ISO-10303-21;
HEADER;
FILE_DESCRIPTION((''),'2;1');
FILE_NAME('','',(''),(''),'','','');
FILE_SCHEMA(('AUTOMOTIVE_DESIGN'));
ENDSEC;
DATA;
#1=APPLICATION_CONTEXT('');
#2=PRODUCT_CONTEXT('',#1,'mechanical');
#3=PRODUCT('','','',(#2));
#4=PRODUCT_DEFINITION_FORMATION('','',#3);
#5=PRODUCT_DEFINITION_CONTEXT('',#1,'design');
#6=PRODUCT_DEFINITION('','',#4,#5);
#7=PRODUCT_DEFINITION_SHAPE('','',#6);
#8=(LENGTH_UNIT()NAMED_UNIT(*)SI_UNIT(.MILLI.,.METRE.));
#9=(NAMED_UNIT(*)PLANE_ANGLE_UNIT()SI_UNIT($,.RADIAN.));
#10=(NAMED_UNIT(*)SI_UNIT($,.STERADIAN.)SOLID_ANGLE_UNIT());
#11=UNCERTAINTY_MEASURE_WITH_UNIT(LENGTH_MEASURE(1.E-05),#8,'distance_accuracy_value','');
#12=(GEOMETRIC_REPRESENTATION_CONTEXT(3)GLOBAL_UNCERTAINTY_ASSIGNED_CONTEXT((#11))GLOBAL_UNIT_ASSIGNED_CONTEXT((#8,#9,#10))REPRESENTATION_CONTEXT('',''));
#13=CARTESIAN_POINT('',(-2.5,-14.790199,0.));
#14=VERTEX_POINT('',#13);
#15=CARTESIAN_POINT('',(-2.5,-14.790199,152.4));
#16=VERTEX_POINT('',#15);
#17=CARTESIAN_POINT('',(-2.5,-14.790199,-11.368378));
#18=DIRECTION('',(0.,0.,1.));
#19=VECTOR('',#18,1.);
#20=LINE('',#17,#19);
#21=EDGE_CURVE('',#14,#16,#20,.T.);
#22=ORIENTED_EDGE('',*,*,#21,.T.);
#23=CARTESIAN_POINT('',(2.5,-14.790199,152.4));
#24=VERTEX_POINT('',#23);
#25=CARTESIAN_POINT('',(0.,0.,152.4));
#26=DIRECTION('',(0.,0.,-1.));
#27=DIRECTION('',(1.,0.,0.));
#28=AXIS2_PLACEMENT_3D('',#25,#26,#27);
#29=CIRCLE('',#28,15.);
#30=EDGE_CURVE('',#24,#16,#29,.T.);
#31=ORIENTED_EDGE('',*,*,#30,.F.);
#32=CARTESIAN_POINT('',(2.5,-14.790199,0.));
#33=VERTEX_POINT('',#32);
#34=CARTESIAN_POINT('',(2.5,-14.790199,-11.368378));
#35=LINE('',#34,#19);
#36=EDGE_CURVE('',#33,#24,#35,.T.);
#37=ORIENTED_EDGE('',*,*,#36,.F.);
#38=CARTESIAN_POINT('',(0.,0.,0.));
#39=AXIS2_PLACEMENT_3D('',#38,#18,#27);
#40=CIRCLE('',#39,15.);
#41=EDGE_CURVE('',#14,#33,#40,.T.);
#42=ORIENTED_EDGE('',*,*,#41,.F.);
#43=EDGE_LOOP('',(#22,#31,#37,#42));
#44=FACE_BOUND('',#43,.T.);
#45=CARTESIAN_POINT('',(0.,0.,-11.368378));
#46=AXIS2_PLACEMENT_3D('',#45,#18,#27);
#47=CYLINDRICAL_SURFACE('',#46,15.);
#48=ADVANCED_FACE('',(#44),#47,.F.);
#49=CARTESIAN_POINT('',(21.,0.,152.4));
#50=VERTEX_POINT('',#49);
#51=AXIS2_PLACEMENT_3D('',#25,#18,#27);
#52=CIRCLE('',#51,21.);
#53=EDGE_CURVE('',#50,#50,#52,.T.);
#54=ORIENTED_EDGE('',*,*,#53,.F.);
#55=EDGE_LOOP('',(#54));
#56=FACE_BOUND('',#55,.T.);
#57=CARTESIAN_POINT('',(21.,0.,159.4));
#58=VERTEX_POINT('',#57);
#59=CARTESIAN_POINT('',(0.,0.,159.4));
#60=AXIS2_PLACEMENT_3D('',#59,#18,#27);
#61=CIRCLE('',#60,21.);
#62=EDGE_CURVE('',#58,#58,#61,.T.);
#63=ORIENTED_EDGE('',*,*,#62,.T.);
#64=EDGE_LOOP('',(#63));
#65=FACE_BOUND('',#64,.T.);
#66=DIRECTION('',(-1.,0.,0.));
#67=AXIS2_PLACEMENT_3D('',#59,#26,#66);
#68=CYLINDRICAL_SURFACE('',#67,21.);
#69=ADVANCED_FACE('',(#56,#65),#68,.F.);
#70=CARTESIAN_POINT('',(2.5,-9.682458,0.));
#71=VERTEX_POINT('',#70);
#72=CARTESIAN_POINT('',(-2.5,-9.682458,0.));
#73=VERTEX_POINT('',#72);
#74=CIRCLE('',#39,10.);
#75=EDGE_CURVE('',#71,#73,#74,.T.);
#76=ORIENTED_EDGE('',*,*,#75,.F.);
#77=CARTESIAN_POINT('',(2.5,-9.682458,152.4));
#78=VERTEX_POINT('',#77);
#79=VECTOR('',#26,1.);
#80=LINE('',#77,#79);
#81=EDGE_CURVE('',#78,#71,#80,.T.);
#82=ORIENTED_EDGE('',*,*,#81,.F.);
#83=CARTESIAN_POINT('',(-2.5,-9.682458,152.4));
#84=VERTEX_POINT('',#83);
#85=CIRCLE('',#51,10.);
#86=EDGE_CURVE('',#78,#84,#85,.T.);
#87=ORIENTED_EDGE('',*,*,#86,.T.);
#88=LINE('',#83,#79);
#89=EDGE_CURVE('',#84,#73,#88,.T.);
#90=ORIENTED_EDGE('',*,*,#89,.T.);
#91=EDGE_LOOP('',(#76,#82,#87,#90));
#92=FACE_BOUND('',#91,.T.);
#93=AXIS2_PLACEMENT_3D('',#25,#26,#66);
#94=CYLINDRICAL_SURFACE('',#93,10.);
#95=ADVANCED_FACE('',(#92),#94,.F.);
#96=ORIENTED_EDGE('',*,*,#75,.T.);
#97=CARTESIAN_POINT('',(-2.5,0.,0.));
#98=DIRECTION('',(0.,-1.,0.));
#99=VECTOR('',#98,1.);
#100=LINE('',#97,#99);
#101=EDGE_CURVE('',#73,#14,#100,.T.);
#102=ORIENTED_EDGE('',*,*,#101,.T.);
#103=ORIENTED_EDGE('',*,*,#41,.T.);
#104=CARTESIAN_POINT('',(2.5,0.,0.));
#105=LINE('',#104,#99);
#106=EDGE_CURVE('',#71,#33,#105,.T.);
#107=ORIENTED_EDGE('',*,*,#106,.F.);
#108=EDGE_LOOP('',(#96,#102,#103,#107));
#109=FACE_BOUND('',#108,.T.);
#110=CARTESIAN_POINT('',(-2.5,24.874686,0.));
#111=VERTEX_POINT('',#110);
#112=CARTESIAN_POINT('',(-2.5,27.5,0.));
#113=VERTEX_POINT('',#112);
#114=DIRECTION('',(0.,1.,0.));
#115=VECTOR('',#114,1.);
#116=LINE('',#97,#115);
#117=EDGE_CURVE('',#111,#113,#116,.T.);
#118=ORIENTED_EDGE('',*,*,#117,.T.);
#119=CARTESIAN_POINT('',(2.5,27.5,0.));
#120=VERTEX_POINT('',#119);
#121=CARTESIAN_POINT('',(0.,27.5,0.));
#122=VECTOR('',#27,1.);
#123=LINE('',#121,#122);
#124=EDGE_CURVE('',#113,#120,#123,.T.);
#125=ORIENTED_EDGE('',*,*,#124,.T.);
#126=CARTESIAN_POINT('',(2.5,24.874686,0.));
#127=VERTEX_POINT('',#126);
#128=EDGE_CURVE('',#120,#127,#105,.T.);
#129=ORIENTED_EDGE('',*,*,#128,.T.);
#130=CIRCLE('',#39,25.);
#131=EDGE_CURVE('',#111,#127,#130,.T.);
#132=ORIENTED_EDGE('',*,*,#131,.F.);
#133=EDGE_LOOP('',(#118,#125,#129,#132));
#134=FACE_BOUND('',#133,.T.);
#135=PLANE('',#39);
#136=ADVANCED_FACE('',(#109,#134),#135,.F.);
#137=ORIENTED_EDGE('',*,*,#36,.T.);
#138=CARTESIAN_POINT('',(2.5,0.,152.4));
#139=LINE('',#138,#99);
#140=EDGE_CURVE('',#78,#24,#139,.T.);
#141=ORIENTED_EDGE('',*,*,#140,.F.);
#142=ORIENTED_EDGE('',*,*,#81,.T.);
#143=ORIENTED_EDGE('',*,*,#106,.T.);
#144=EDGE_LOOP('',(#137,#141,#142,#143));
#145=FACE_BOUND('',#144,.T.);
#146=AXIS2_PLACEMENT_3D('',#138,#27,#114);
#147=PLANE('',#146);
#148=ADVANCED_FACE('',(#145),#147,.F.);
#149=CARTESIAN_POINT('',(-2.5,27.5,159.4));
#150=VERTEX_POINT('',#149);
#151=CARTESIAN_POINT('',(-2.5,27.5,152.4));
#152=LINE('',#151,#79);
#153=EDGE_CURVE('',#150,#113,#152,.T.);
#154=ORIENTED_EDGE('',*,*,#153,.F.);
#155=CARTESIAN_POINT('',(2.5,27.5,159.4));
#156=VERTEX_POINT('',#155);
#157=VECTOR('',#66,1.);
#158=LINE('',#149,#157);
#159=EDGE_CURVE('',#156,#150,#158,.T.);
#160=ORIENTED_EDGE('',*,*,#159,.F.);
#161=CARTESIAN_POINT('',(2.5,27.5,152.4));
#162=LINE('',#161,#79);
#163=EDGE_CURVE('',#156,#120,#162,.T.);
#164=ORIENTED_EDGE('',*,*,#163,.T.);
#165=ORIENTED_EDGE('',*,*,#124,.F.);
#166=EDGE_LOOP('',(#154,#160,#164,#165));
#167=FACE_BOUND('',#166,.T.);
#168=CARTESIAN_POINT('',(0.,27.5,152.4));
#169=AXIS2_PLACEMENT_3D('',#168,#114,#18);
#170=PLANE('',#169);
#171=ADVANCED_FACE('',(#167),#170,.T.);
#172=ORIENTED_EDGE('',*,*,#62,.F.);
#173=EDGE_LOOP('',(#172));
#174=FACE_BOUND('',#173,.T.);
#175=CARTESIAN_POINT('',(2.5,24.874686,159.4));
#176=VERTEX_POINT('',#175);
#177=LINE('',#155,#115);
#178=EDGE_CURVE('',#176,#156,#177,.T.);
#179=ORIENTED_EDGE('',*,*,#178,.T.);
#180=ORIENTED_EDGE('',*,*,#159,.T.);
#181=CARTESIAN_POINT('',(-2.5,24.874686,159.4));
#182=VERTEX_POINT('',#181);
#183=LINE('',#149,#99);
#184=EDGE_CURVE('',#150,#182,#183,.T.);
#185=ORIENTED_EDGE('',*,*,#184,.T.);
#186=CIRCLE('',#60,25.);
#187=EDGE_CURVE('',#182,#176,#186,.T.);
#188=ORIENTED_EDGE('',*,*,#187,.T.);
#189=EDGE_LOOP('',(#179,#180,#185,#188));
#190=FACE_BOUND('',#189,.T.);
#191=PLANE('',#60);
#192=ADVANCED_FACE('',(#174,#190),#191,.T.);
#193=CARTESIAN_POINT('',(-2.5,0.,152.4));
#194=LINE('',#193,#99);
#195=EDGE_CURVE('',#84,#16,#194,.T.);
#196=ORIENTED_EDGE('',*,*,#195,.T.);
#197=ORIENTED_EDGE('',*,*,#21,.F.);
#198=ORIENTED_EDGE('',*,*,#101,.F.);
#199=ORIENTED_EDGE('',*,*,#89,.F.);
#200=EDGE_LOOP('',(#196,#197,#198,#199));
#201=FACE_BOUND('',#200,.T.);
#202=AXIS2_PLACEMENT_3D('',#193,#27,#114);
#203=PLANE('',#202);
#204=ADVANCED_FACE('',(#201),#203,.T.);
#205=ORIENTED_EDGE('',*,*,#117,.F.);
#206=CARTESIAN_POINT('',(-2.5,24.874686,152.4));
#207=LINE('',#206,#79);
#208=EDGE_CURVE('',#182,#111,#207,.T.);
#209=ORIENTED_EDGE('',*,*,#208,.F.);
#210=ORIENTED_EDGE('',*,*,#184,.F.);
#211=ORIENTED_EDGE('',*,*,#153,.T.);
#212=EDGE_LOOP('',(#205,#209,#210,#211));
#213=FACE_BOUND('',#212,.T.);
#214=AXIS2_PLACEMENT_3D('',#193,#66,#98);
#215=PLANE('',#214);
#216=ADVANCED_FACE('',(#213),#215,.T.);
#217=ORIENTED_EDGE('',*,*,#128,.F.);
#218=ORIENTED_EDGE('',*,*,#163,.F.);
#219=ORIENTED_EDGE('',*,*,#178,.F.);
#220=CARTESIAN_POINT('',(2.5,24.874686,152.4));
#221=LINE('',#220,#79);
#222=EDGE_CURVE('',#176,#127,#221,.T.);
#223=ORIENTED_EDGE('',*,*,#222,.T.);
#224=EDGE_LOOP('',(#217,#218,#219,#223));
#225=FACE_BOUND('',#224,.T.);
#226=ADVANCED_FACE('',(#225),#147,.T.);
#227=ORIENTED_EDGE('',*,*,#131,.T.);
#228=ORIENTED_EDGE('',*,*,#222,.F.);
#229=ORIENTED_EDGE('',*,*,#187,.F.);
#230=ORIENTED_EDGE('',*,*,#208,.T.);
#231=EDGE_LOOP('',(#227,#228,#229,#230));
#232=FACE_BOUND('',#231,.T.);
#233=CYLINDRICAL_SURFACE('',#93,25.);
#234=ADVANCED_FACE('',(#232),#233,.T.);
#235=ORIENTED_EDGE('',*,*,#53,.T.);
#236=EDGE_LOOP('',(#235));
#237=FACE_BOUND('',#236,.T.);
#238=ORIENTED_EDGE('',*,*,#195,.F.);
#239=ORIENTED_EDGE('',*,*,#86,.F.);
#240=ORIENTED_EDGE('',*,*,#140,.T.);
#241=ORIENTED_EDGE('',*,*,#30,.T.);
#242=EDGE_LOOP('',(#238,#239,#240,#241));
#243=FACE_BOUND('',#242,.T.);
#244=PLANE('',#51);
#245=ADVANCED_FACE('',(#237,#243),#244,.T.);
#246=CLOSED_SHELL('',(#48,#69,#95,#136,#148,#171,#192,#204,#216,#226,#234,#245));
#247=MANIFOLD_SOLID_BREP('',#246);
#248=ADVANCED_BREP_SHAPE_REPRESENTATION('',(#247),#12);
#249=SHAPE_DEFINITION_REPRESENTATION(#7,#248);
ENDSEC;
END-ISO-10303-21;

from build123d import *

# Parameters (mm, degrees)
BOSS_EXTRUDE1_DEPTH = 152.4
SKETCH3_R           = 21
BOSS_EXTRUDE2_DEPTH = 7
BOSS_EXTRUDE3_START = -152.4
BOSS_EXTRUDE3_DEPTH = 152.4


with BuildPart() as part:
    # Sketch1 → Boss-Extrude1 (new body)
    with BuildSketch(Plane.XY):
        with BuildLine():
            Line((-2.5, 27.5), (-2.5, 24.874685928))
            ThreePointArc((-2.5, 24.874685928), (-25, 0), (-2.5, -24.874685928))
            Line((-2.5, -24.874685928), (-2.5, -9.682458366))
            ThreePointArc((-2.5, -9.682458366), (0, 10), (2.5, -9.682458366))
            Line((2.5, -9.682458366), (2.5, -24.874685928))
            ThreePointArc((2.5, -24.874685928), (25, 0), (2.5, 24.874685928))
            Line((2.5, 24.874685928), (2.5, 27.5))
            Line((2.5, 27.5), (-2.5, 27.5))
        make_face()
    extrude(amount=BOSS_EXTRUDE1_DEPTH)

    # Sketch3 → Boss-Extrude2 (add)
    with BuildSketch(Plane.XY.offset(152.4)):
        with BuildLine():
            Line((-2.5, 27.5), (2.5, 27.5))
            Line((2.5, 27.5), (2.5, 24.874685928))
            ThreePointArc((2.5, 24.874685928), (24.874685928, -2.5), (-2.5, -24.874685928))
            ThreePointArc((-2.5, -24.874685928), (-25, 0), (-2.5, 24.874685928))
            Line((-2.5, 24.874685928), (-2.5, 27.5))
        make_face()
        with Locations(Location((0, 0, 0), (0, 0, 263.162858832))):
            Circle(SKETCH3_R, mode=Mode.SUBTRACT)
    extrude(amount=BOSS_EXTRUDE2_DEPTH)

    # Sketch4 → Boss-Extrude3 (add)
    with BuildSketch(Plane.XY.offset(152.4).offset(BOSS_EXTRUDE3_START)):
        with BuildLine():
            Line((-2.5, -14.790199458), (-2.5, -24.874685928))
            ThreePointArc((-2.5, -24.874685928), (0, -25), (2.5, -24.874685928))
            Line((2.5, -24.874685928), (2.5, -14.790199458))
            ThreePointArc((2.5, -14.790199458), (0, -15), (-2.5, -14.790199458))
        make_face()
    extrude(amount=BOSS_EXTRUDE3_DEPTH)


solid = part.part
